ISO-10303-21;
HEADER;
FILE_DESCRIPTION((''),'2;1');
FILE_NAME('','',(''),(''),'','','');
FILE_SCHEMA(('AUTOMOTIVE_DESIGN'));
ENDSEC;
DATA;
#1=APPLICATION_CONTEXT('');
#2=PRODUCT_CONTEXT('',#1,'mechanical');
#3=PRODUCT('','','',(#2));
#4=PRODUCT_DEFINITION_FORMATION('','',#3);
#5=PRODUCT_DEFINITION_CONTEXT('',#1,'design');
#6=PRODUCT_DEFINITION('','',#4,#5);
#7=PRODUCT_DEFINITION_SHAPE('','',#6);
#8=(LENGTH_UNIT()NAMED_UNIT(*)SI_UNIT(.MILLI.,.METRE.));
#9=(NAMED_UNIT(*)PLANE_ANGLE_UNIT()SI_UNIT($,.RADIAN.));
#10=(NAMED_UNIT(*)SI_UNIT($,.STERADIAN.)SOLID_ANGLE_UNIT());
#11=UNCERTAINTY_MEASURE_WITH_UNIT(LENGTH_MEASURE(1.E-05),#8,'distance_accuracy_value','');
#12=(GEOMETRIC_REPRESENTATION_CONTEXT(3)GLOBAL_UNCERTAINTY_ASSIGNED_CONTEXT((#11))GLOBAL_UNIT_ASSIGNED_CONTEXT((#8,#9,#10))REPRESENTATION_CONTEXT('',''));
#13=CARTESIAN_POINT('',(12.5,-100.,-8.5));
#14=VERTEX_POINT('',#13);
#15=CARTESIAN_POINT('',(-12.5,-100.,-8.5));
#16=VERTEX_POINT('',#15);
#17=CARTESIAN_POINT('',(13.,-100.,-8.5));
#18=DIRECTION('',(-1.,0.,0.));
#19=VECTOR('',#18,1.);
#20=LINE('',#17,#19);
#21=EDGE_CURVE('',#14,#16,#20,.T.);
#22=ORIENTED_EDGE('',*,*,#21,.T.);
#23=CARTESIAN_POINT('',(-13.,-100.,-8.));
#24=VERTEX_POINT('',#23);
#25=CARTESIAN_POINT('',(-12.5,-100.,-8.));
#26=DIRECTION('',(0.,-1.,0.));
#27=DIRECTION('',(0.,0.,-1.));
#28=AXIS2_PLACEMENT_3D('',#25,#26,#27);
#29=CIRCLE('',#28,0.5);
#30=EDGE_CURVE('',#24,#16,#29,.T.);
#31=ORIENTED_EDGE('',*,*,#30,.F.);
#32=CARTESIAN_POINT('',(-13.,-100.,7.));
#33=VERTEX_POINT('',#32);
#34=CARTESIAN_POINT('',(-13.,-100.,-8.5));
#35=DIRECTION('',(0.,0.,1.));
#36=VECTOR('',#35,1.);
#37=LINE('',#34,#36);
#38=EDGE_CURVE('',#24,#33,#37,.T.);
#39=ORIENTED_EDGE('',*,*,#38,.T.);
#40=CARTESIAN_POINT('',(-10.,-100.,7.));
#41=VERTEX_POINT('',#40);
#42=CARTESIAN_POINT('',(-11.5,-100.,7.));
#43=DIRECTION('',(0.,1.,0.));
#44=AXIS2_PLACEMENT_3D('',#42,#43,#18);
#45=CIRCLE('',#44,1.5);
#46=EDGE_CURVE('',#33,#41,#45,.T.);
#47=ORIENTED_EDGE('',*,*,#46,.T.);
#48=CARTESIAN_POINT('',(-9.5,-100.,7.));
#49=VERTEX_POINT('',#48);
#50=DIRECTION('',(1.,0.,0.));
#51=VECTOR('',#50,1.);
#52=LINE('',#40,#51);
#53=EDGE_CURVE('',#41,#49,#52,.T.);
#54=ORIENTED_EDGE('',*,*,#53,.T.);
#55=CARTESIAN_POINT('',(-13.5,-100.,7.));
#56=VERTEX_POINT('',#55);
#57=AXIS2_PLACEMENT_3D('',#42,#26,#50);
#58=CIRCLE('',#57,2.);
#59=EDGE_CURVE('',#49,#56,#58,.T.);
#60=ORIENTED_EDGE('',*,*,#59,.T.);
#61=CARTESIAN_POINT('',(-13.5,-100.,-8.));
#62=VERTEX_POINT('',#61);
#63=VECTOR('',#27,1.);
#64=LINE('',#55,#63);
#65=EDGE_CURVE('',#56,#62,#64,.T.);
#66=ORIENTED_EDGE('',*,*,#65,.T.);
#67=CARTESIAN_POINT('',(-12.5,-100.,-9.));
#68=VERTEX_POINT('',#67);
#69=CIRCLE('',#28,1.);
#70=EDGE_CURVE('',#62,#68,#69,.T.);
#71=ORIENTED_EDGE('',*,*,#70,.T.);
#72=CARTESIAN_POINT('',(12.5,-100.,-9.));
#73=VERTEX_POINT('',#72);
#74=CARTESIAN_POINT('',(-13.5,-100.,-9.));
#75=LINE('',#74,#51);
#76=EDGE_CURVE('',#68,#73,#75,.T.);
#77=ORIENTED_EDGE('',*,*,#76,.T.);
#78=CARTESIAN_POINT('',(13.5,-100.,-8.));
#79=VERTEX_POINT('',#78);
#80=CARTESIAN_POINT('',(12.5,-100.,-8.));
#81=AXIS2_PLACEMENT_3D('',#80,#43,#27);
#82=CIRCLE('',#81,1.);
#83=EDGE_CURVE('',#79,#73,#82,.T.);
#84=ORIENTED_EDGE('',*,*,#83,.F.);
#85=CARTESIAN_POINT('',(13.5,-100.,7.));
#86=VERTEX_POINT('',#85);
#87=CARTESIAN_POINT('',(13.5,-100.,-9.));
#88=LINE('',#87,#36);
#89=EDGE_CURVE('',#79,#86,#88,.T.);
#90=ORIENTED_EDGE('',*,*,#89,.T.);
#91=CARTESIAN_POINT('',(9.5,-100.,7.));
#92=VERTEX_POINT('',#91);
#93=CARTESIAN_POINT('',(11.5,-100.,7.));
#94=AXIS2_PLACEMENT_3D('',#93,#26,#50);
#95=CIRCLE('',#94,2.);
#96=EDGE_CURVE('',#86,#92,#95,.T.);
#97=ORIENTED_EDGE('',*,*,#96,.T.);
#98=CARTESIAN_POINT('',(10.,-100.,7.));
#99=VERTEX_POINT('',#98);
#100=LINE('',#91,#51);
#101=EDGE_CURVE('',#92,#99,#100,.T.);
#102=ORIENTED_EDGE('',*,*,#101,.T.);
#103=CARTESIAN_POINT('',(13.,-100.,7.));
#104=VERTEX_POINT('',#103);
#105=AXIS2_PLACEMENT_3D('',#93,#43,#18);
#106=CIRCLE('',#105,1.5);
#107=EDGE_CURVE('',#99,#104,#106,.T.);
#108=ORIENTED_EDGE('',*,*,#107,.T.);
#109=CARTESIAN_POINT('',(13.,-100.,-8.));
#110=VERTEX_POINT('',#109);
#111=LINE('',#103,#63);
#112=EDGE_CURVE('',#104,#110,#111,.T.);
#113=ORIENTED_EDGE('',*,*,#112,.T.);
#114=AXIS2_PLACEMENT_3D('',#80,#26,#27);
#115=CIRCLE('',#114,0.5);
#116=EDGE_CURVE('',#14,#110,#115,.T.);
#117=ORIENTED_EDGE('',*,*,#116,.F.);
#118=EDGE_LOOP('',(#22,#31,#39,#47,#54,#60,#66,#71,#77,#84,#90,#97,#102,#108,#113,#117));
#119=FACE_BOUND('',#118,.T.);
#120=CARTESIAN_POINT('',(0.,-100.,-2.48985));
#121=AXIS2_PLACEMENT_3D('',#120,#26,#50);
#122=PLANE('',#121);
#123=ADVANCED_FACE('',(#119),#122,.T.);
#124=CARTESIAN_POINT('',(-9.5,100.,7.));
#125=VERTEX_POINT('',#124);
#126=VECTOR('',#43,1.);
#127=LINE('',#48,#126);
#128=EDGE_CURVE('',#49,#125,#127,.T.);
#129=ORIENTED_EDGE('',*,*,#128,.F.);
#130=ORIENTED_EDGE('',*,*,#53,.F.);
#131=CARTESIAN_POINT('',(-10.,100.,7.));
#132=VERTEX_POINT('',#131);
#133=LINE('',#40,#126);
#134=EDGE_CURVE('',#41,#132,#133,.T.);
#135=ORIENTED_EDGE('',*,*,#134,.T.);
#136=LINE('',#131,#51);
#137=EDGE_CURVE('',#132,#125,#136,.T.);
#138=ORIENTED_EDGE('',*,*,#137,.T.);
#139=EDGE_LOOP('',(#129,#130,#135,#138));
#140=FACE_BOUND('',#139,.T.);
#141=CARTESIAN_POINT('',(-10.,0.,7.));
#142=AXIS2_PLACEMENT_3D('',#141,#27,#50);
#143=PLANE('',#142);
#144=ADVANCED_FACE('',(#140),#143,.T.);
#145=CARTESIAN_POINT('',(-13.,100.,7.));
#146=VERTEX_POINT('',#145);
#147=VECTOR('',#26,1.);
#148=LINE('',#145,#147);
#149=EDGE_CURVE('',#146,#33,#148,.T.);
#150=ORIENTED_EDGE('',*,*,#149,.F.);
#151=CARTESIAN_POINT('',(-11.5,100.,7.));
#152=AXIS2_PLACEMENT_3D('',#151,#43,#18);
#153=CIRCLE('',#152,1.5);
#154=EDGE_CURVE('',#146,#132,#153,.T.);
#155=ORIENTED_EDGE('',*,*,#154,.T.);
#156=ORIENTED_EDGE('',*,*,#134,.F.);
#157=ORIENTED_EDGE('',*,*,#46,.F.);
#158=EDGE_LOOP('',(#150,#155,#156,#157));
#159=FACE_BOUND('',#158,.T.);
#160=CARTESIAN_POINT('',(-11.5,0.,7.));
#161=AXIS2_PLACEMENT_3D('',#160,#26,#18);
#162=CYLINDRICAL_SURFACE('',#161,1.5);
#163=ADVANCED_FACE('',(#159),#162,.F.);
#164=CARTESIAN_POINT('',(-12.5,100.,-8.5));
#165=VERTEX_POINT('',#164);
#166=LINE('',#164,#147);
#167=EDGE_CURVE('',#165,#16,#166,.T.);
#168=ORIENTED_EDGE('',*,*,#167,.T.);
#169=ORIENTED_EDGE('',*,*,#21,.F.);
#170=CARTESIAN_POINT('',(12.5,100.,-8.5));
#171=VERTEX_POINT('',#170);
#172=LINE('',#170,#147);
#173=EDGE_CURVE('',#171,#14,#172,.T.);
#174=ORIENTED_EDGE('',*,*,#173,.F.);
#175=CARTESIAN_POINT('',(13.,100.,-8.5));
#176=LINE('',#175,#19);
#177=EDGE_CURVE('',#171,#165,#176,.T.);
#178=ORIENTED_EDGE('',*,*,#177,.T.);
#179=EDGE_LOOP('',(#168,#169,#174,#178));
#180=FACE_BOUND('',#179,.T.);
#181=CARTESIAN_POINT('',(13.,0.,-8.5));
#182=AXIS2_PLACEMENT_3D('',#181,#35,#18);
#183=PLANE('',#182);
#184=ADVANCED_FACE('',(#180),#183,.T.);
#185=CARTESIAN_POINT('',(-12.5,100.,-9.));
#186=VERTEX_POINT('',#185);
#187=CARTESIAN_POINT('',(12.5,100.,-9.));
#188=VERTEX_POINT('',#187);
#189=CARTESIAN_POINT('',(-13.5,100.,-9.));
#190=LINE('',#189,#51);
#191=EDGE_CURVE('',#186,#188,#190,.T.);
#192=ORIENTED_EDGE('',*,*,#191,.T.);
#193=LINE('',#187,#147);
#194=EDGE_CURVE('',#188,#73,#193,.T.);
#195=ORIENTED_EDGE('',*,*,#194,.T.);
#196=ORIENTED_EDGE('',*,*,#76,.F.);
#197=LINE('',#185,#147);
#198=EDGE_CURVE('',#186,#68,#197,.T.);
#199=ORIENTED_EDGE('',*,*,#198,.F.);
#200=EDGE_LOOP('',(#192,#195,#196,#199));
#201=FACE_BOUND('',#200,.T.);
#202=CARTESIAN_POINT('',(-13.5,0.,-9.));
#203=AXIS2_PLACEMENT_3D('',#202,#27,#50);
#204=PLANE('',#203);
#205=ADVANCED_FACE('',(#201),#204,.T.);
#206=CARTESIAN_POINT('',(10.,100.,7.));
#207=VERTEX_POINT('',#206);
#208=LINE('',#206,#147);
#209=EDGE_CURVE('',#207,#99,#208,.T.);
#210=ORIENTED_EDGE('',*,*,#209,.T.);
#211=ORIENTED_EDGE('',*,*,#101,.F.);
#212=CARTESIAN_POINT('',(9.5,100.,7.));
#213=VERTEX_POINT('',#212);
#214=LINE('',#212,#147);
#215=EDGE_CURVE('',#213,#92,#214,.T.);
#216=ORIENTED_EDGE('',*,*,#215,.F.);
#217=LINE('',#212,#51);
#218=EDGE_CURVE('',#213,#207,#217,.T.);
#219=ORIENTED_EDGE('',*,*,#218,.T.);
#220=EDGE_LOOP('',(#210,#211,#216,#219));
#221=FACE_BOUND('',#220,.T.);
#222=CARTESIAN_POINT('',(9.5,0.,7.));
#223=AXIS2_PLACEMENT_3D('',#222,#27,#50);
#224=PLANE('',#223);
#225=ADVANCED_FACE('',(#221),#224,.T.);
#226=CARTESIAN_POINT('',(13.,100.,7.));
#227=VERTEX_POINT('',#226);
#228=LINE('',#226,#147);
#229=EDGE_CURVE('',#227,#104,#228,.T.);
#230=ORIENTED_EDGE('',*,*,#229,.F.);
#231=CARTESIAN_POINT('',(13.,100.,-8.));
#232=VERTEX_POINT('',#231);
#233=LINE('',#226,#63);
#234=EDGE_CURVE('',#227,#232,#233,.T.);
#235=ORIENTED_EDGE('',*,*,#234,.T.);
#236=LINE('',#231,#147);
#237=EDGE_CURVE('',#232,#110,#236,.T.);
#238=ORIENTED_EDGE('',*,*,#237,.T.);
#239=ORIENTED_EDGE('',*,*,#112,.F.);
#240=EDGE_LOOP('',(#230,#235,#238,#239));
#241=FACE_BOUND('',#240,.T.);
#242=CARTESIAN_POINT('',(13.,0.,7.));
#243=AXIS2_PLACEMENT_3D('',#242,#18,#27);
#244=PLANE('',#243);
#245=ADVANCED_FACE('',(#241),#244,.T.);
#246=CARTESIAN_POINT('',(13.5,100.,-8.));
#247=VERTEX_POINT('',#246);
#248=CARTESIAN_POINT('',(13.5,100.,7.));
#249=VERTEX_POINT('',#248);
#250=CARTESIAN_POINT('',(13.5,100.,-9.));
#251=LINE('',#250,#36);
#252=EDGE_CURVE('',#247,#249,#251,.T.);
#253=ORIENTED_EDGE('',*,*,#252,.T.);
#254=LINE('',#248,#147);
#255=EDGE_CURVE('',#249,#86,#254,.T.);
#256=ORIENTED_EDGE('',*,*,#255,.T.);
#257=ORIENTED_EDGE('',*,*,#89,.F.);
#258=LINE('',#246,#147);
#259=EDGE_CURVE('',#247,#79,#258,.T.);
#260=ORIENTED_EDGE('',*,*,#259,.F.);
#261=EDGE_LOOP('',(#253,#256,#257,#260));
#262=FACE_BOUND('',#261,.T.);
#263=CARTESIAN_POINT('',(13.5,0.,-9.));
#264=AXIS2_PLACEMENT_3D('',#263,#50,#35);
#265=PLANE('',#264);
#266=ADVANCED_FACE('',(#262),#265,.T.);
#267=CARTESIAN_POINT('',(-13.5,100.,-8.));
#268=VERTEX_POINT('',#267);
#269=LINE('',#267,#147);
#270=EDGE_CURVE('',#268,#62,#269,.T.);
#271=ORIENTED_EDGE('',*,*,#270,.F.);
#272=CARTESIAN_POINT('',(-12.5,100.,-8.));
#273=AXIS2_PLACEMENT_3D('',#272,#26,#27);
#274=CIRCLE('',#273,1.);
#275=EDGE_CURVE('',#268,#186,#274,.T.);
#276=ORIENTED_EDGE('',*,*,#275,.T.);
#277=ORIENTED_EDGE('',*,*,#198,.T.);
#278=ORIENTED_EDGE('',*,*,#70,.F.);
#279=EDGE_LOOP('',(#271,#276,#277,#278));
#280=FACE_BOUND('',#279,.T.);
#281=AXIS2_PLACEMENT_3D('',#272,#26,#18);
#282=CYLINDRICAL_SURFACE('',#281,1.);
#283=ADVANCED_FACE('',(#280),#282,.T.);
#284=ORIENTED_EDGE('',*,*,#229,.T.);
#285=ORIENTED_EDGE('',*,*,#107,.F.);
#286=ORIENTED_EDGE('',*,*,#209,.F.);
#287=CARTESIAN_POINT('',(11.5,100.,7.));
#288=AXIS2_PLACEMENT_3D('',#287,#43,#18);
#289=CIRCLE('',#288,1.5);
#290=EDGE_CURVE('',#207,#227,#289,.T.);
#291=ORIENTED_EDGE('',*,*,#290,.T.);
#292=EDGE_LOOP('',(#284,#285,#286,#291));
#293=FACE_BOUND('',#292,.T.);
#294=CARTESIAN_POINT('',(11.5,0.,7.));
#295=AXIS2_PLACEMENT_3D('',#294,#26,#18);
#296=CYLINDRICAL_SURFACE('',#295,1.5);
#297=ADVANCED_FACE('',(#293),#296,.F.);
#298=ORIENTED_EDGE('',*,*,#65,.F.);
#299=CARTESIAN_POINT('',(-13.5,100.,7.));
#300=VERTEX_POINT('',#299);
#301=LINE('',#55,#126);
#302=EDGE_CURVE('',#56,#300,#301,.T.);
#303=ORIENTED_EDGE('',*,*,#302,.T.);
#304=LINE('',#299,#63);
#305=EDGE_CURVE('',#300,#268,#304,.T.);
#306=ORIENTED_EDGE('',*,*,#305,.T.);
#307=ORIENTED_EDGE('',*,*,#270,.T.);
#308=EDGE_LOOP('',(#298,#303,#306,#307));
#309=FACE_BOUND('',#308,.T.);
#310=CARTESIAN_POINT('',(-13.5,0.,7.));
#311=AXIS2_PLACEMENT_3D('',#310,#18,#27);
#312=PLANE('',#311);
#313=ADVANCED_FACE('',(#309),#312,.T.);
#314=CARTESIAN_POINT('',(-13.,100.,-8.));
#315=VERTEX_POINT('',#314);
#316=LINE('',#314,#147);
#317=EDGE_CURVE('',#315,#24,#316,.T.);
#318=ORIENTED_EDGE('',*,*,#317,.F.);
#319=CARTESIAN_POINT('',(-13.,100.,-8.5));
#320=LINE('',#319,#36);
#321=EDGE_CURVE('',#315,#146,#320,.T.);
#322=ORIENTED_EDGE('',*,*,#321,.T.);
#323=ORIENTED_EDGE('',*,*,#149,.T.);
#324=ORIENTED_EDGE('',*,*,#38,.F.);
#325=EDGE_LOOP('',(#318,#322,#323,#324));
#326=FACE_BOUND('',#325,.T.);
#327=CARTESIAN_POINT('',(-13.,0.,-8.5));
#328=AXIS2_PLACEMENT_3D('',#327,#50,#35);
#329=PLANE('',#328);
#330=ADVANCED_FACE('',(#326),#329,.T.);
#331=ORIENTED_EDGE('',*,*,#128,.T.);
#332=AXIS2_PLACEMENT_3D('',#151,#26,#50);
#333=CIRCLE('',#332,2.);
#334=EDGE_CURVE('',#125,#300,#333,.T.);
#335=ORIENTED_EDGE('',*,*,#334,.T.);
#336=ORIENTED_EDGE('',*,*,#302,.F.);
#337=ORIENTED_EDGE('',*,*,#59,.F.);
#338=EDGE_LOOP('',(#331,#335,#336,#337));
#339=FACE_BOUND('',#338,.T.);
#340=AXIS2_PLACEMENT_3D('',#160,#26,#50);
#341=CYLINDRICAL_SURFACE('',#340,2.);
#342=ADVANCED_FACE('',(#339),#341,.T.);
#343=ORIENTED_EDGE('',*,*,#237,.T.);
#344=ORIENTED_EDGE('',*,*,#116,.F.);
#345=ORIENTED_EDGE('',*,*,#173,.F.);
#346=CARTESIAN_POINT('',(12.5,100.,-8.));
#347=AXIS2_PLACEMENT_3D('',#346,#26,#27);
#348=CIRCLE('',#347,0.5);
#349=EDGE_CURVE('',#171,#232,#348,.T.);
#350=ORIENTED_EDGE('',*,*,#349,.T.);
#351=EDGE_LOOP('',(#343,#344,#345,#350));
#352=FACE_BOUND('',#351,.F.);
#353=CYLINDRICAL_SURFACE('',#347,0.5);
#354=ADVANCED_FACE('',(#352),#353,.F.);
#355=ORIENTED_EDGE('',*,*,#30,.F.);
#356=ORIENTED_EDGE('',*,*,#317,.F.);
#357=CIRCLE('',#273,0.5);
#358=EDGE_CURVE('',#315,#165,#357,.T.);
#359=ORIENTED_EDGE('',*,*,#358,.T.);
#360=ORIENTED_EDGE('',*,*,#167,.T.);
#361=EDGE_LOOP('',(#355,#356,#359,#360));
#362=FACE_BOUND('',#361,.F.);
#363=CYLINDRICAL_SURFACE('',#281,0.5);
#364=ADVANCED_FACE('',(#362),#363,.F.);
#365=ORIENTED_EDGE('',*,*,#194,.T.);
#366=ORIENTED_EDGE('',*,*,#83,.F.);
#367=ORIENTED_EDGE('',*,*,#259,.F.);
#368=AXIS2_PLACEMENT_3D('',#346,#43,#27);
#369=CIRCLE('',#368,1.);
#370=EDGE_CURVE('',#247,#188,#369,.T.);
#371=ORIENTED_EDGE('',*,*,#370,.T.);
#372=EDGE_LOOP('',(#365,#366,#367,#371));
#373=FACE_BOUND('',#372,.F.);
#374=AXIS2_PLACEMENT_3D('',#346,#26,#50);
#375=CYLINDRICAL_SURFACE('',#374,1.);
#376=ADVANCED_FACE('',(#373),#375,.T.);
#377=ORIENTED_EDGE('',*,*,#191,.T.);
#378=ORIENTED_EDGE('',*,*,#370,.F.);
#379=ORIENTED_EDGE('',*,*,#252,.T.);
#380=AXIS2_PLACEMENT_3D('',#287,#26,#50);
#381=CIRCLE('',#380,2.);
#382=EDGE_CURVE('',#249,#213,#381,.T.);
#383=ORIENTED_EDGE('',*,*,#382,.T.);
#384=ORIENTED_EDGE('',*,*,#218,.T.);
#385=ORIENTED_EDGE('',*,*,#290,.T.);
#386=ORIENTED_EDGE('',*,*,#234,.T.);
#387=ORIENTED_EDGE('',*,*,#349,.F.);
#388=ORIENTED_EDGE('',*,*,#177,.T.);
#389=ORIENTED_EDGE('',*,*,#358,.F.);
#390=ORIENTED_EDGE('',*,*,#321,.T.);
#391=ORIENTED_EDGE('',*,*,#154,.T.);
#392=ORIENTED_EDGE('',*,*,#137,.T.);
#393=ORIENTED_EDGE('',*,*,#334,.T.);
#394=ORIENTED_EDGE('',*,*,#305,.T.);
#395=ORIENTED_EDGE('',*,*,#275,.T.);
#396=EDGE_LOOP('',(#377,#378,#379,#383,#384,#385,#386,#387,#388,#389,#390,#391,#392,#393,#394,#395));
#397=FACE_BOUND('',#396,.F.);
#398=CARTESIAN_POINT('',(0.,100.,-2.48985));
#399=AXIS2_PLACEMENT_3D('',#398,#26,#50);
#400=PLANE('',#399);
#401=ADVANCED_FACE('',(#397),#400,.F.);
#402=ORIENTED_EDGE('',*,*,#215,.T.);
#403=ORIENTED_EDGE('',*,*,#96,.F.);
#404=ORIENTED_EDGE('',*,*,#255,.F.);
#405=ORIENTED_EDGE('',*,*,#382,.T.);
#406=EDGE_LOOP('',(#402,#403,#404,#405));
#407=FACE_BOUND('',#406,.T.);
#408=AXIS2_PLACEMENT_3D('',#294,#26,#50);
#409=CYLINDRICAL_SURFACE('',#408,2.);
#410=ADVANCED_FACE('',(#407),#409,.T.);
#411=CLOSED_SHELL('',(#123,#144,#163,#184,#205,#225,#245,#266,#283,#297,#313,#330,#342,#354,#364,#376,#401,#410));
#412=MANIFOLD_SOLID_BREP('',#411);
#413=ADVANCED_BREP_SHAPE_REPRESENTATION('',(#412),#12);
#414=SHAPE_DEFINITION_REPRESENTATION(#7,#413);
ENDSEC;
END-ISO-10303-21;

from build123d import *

# Parameters (mm, degrees)
F1_DEPTH      = 100
F1_DEPTH_BACK = 100
F2_R          = 1
F3_R          = 0.5


with BuildPart() as f1:
    # F0 (on Front) → F1 (new body, two sides)
    with BuildSketch(Plane.XZ) as f1_sk:
        with BuildLine():
            Line((-13.5, 7), (-13.5, -9))
            Line((-13.5, -9), (13.5, -9))
            Line((13.5, -9), (13.5, 7))
            ThreePointArc((13.5, 7), (11.5, 9), (9.5, 7))
            Line((9.5, 7), (10, 7))
            ThreePointArc((10, 7), (11.5, 8.5), (13, 7))
            Line((13, 7), (13, -8.5))
            Line((13, -8.5), (-13, -8.5))
            Line((-13, -8.5), (-13, 7))
            ThreePointArc((-13, 7), (-11.5, 8.5), (-10, 7))
            Line((-10, 7), (-9.5, 7))
            ThreePointArc((-9.5, 7), (-11.5, 9), (-13.5, 7))
        make_face()
    extrude(amount=F1_DEPTH)
    extrude(f1_sk.sketch, amount=-F1_DEPTH_BACK)

    # F2
    f2_edges = [f1.edges().sort_by_distance(p)[0] for p in [
        (13.5, 0, -9),
        (-13.5, 0, -9),
    ]]
    fillet(f2_edges, radius=F2_R)

    # F3
    f3_edges = [f1.edges().sort_by_distance(p)[0] for p in [
        (-13, 0, -8.5),
        (13, 0, -8.5),
    ]]
    fillet(f3_edges, radius=F3_R)


solid = f1.part
